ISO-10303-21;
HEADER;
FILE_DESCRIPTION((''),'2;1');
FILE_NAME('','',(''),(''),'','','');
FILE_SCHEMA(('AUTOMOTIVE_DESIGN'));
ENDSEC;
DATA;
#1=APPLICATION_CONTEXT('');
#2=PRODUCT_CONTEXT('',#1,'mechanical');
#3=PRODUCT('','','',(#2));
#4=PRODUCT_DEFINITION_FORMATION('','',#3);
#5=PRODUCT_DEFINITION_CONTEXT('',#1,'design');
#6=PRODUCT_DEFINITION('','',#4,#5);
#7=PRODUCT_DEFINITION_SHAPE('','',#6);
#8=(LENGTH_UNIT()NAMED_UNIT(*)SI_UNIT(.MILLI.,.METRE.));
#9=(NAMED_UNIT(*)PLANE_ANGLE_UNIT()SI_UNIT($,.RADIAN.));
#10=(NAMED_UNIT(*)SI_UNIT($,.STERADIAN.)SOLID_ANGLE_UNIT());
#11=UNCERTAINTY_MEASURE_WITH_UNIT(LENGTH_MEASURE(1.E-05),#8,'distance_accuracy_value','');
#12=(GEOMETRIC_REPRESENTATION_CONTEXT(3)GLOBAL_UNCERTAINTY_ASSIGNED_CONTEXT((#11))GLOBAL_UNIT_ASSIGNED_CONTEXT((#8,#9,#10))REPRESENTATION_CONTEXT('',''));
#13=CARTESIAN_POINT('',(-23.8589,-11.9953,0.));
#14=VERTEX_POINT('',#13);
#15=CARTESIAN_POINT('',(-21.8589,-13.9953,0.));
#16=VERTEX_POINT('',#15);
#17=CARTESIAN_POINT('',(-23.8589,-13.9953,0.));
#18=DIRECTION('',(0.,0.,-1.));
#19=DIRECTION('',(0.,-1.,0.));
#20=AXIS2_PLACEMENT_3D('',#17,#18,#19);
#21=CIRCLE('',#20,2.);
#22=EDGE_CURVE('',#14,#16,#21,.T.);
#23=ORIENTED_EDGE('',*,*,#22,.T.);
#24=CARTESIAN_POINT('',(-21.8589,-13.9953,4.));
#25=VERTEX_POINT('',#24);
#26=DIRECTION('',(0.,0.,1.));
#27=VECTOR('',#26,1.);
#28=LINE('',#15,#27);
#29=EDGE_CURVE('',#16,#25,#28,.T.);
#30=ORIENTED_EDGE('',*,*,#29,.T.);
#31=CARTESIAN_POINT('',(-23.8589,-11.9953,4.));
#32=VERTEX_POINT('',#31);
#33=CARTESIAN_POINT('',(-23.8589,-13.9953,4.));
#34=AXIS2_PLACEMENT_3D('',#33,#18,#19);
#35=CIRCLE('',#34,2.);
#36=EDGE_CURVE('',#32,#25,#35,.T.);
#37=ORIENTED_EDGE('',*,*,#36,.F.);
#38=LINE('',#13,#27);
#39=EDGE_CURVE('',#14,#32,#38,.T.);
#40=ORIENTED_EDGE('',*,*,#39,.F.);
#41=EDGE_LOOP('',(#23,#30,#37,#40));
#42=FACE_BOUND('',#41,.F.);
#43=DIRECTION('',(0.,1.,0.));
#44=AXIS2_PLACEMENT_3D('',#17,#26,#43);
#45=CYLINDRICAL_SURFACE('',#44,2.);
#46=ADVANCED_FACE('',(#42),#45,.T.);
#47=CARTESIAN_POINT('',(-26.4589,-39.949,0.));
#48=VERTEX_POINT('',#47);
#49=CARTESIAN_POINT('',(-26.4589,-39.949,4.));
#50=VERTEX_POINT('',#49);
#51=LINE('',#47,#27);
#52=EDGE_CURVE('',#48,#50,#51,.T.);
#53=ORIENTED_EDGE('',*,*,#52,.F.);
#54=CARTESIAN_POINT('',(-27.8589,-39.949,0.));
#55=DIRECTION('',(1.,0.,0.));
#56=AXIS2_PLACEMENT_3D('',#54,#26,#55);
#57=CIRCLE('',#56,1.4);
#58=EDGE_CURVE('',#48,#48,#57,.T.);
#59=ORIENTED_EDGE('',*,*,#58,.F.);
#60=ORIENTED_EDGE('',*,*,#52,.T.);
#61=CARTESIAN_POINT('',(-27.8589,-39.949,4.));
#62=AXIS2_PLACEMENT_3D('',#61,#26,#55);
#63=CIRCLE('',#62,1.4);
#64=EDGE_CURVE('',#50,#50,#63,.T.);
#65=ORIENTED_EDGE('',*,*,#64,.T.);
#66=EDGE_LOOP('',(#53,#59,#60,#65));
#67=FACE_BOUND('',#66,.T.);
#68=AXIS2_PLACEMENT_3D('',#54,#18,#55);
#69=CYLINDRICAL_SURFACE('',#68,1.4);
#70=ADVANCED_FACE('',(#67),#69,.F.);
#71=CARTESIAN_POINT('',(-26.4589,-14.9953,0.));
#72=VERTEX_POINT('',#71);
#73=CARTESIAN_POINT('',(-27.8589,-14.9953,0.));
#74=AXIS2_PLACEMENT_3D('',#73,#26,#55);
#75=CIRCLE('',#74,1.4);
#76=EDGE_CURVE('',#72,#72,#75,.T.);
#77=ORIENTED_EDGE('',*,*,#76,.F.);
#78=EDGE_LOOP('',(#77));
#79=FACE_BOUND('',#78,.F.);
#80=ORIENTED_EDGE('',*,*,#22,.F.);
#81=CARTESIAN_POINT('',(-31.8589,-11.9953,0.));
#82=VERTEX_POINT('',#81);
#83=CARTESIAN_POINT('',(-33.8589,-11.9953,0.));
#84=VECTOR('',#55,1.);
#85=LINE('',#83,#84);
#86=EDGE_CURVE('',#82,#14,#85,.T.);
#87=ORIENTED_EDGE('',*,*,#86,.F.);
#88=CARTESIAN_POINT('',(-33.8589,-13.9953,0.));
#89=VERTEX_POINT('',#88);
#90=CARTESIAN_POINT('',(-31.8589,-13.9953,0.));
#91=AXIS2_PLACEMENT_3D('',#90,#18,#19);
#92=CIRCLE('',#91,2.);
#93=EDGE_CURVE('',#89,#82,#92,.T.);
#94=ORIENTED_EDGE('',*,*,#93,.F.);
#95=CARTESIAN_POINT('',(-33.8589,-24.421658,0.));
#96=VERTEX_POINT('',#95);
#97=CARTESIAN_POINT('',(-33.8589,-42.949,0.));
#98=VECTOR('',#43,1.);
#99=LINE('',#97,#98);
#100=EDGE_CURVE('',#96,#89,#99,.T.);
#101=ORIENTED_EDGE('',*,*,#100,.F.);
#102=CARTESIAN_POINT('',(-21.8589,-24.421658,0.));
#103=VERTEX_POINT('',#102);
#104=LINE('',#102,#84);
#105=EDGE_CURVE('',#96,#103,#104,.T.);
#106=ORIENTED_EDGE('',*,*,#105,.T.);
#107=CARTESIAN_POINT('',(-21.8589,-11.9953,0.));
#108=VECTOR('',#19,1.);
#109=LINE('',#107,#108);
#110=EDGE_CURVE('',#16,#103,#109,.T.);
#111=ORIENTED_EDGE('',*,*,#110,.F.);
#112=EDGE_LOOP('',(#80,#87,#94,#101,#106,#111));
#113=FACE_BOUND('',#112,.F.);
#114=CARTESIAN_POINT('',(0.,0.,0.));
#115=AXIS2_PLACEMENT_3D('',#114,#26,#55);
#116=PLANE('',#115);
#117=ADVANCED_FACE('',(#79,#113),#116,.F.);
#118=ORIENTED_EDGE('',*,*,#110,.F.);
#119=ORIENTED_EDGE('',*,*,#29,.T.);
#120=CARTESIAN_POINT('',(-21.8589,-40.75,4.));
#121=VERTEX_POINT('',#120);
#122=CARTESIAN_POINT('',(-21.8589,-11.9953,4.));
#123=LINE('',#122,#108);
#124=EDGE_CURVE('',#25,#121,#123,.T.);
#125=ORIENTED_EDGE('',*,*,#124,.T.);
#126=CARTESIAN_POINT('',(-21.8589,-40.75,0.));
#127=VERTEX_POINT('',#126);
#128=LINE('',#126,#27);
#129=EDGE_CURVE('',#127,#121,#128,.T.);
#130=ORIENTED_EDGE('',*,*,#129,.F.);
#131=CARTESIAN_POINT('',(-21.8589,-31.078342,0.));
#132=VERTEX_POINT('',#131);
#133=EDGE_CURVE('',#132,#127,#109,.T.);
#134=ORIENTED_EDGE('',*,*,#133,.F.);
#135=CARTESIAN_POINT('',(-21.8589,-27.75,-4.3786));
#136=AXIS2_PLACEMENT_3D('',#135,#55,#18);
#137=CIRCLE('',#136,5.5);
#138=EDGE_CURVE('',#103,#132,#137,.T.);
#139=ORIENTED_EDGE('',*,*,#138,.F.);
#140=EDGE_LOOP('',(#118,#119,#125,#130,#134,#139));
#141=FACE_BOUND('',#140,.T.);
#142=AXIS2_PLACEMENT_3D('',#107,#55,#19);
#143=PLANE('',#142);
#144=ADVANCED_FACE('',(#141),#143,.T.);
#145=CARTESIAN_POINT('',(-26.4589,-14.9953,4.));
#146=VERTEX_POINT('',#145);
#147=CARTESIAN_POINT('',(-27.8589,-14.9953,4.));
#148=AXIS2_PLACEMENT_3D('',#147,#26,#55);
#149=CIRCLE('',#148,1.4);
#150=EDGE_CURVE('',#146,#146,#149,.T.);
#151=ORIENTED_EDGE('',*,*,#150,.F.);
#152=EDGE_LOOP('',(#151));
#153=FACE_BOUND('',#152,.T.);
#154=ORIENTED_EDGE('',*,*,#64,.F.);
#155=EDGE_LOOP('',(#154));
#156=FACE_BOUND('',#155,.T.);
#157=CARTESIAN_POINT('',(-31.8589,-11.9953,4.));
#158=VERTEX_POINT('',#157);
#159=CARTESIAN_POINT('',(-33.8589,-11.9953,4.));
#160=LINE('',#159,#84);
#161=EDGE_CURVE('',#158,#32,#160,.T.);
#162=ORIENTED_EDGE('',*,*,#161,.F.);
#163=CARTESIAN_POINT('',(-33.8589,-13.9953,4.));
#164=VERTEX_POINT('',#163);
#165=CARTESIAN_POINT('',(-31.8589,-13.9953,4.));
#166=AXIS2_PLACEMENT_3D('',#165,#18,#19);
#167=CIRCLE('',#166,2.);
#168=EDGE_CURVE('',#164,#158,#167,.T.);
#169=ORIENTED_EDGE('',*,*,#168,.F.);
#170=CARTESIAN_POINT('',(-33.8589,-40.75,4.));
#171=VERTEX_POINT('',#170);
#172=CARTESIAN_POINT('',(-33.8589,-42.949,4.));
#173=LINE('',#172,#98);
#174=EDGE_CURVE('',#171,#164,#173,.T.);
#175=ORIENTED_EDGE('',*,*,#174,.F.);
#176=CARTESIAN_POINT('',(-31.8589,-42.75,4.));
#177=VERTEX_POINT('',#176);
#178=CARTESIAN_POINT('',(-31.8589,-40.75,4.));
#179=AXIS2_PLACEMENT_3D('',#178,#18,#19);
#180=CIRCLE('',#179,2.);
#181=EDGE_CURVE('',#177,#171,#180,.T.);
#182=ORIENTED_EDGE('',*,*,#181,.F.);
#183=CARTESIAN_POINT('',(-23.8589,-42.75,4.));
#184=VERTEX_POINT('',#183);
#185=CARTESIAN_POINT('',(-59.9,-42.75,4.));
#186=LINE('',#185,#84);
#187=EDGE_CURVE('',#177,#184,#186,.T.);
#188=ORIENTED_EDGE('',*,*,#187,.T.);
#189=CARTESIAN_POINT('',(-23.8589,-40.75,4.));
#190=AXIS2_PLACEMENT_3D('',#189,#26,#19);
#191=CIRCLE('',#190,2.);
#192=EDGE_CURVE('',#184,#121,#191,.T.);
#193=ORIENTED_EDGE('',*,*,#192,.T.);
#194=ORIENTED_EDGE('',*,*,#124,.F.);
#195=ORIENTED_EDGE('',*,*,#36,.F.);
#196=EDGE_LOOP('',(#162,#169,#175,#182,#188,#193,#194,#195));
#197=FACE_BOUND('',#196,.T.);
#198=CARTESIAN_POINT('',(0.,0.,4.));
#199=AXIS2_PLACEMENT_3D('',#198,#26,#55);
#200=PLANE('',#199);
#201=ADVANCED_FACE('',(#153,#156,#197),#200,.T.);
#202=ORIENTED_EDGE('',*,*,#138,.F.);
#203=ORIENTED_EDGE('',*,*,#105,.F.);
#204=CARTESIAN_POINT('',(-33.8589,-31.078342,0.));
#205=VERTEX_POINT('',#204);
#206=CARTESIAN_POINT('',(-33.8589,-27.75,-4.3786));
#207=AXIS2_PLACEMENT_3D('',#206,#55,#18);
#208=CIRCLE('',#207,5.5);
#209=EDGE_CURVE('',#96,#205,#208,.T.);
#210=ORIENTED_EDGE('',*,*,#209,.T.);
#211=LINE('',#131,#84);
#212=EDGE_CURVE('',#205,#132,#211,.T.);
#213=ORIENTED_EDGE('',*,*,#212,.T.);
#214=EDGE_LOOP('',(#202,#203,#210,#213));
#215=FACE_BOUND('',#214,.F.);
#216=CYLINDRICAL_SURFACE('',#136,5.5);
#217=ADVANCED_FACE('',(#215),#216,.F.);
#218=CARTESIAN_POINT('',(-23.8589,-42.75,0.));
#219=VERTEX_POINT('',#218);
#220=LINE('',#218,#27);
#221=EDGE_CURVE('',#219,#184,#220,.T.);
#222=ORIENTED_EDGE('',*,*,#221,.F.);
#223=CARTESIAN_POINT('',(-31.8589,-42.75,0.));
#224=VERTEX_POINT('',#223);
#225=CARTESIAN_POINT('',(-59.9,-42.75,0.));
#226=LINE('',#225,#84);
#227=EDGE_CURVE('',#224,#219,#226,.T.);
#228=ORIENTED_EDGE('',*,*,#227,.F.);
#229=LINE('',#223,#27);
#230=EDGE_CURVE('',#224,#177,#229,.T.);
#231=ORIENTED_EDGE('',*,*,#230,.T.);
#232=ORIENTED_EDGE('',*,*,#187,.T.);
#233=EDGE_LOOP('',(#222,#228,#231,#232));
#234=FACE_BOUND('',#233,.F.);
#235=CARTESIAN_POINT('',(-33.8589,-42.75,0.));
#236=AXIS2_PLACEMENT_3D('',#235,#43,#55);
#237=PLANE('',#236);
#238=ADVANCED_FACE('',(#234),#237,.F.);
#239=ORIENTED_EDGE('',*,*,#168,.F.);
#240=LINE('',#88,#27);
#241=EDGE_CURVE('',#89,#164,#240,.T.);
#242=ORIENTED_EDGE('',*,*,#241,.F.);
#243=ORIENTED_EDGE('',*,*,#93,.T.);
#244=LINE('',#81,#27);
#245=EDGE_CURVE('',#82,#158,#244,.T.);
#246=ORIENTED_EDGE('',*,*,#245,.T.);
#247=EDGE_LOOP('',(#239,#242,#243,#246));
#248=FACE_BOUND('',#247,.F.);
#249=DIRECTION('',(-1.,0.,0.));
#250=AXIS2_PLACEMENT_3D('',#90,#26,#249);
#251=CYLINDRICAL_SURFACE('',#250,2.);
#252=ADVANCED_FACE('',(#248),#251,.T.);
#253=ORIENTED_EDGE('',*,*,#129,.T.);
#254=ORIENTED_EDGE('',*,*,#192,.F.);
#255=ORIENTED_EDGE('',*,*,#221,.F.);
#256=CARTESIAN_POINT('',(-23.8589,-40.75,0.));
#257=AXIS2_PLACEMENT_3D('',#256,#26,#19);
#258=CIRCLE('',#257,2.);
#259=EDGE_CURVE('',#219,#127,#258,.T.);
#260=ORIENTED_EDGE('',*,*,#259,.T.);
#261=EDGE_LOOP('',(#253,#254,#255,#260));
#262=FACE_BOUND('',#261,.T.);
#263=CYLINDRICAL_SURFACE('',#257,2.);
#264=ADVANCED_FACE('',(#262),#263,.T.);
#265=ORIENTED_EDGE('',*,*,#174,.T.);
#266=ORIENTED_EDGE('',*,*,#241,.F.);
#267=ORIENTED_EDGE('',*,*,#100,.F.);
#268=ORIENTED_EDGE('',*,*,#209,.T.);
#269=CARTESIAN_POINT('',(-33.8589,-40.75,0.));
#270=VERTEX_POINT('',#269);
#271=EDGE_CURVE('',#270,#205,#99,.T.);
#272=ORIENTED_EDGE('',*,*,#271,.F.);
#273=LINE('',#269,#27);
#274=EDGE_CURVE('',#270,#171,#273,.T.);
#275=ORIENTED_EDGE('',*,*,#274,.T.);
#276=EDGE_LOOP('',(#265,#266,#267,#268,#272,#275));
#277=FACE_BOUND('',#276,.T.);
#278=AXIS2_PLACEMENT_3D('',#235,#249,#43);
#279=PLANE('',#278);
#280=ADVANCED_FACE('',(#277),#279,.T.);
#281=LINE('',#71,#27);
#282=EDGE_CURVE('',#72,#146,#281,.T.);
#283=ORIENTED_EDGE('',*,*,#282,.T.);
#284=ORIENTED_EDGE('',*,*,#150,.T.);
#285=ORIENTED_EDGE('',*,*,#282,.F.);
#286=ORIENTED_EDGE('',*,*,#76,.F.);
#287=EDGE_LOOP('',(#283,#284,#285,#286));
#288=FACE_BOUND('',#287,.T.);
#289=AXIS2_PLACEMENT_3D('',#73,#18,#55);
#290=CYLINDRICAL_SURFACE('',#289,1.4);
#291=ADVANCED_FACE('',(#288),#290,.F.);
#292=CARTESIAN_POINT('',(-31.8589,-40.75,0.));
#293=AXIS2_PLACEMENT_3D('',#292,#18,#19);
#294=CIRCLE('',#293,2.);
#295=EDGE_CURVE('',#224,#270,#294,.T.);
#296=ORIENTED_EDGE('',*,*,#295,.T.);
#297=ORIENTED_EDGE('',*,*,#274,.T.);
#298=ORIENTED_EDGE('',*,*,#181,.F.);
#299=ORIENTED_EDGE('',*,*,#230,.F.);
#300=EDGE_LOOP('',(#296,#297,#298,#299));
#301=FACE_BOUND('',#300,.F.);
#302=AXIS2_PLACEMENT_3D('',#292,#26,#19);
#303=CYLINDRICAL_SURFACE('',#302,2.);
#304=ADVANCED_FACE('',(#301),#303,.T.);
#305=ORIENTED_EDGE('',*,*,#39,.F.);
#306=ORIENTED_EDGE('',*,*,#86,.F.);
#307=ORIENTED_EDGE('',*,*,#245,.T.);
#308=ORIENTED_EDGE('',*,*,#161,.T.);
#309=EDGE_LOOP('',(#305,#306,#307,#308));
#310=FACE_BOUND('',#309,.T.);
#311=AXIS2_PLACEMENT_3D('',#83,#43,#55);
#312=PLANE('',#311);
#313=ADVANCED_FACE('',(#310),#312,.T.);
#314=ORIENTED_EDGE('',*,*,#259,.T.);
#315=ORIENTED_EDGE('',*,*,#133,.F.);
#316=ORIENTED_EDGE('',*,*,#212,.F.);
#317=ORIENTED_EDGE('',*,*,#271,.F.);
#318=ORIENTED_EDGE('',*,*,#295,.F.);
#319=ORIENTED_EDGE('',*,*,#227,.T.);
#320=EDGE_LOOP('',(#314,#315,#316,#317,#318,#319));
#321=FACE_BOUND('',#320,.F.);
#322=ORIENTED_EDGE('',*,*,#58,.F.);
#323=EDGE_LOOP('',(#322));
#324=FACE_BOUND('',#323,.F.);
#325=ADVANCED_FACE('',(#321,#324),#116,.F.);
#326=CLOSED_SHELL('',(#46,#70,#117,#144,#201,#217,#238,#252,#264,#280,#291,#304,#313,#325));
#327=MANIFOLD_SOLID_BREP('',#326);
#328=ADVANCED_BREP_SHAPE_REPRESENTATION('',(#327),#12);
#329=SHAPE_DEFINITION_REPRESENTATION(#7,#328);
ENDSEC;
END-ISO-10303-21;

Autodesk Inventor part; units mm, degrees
ref_plane "YZ Plane" through (0, 0, 0) normal (1, 0, 0) x (0, 1, 0)
ref_plane "XZ Plane" through (0, 0, 0) normal (0, 1, 0) x (-1, 0, 0)
ref_plane "XY Plane" through (0, 0, 0) normal (0, 0, 1) x (1, 0, 0)
ref_plane "Arbeitsebene1" through (0, 0, 0) normal (0, 0, 1) x (1, 0, 0)
sketch "Skizze1" plane through (0, 0, 0) normal (0, 0, 1) x (1, 0, 0)
  circle A0 centre (-27.8589, -14.9953) radius 1.4 projected
  circle A1 centre (-27.8589, -39.949) radius 1.4 projected
  line L0 (-21.8589, -42.949) -> (-33.8589, -42.949)
  line L1 (-33.8589, -42.949) -> (-33.8589, -11.9953)
  line L2 (-33.8589, -11.9953) -> (-21.8589, -11.9953)
  line L3 (-21.8589, -11.9953) -> (-21.8589, -42.949)
  line L4 (-21.8589, -42.949) -> (-33.8589, -11.9953) construction
  line L5 (-33.8589, -42.949) -> (-21.8589, -11.9953) construction
  line L6 (-59.9, -42.75) -> (59.9, -42.75) projected
  point P0 (0, 0)
  point P1 (-27.8589, -27.4722)
  point P2 (-33.8589, -42.75)
  point P3 (-21.8589, -42.75)
  dimension "d0" = 24.9538
  dimension "d1" = 3
  dimension "d2" = 3
  dimension "d3" = 12
extrude "Extrusion1" add sketch "Skizze1" along normal blind 4 contours L6 L1 L2 L3
fillet "Rundung1" radius 2 4 edges at (-21.8589, -11.9953, 2) (-33.8589, -11.9953, 2) (-21.8589, -42.75, 2) (-33.8589, -42.75, 2)
sketch "Skizze2" plane through (-21.8589, -40.75, 0) normal (1, 0, 0) x (0, 0, -1)
  circle A0 centre (4.8526, 13) radius 4.7625 projected
  circle A1 centre (4.3786, 13) radius 5.5
  point P0 (0, 40.75)
  dimension "d7" = 11
extrude "Extrusion2" cut sketch "Skizze2" against normal through all contours A0 | A1
properties part number "20_M12_Lens_Fixation_1"
